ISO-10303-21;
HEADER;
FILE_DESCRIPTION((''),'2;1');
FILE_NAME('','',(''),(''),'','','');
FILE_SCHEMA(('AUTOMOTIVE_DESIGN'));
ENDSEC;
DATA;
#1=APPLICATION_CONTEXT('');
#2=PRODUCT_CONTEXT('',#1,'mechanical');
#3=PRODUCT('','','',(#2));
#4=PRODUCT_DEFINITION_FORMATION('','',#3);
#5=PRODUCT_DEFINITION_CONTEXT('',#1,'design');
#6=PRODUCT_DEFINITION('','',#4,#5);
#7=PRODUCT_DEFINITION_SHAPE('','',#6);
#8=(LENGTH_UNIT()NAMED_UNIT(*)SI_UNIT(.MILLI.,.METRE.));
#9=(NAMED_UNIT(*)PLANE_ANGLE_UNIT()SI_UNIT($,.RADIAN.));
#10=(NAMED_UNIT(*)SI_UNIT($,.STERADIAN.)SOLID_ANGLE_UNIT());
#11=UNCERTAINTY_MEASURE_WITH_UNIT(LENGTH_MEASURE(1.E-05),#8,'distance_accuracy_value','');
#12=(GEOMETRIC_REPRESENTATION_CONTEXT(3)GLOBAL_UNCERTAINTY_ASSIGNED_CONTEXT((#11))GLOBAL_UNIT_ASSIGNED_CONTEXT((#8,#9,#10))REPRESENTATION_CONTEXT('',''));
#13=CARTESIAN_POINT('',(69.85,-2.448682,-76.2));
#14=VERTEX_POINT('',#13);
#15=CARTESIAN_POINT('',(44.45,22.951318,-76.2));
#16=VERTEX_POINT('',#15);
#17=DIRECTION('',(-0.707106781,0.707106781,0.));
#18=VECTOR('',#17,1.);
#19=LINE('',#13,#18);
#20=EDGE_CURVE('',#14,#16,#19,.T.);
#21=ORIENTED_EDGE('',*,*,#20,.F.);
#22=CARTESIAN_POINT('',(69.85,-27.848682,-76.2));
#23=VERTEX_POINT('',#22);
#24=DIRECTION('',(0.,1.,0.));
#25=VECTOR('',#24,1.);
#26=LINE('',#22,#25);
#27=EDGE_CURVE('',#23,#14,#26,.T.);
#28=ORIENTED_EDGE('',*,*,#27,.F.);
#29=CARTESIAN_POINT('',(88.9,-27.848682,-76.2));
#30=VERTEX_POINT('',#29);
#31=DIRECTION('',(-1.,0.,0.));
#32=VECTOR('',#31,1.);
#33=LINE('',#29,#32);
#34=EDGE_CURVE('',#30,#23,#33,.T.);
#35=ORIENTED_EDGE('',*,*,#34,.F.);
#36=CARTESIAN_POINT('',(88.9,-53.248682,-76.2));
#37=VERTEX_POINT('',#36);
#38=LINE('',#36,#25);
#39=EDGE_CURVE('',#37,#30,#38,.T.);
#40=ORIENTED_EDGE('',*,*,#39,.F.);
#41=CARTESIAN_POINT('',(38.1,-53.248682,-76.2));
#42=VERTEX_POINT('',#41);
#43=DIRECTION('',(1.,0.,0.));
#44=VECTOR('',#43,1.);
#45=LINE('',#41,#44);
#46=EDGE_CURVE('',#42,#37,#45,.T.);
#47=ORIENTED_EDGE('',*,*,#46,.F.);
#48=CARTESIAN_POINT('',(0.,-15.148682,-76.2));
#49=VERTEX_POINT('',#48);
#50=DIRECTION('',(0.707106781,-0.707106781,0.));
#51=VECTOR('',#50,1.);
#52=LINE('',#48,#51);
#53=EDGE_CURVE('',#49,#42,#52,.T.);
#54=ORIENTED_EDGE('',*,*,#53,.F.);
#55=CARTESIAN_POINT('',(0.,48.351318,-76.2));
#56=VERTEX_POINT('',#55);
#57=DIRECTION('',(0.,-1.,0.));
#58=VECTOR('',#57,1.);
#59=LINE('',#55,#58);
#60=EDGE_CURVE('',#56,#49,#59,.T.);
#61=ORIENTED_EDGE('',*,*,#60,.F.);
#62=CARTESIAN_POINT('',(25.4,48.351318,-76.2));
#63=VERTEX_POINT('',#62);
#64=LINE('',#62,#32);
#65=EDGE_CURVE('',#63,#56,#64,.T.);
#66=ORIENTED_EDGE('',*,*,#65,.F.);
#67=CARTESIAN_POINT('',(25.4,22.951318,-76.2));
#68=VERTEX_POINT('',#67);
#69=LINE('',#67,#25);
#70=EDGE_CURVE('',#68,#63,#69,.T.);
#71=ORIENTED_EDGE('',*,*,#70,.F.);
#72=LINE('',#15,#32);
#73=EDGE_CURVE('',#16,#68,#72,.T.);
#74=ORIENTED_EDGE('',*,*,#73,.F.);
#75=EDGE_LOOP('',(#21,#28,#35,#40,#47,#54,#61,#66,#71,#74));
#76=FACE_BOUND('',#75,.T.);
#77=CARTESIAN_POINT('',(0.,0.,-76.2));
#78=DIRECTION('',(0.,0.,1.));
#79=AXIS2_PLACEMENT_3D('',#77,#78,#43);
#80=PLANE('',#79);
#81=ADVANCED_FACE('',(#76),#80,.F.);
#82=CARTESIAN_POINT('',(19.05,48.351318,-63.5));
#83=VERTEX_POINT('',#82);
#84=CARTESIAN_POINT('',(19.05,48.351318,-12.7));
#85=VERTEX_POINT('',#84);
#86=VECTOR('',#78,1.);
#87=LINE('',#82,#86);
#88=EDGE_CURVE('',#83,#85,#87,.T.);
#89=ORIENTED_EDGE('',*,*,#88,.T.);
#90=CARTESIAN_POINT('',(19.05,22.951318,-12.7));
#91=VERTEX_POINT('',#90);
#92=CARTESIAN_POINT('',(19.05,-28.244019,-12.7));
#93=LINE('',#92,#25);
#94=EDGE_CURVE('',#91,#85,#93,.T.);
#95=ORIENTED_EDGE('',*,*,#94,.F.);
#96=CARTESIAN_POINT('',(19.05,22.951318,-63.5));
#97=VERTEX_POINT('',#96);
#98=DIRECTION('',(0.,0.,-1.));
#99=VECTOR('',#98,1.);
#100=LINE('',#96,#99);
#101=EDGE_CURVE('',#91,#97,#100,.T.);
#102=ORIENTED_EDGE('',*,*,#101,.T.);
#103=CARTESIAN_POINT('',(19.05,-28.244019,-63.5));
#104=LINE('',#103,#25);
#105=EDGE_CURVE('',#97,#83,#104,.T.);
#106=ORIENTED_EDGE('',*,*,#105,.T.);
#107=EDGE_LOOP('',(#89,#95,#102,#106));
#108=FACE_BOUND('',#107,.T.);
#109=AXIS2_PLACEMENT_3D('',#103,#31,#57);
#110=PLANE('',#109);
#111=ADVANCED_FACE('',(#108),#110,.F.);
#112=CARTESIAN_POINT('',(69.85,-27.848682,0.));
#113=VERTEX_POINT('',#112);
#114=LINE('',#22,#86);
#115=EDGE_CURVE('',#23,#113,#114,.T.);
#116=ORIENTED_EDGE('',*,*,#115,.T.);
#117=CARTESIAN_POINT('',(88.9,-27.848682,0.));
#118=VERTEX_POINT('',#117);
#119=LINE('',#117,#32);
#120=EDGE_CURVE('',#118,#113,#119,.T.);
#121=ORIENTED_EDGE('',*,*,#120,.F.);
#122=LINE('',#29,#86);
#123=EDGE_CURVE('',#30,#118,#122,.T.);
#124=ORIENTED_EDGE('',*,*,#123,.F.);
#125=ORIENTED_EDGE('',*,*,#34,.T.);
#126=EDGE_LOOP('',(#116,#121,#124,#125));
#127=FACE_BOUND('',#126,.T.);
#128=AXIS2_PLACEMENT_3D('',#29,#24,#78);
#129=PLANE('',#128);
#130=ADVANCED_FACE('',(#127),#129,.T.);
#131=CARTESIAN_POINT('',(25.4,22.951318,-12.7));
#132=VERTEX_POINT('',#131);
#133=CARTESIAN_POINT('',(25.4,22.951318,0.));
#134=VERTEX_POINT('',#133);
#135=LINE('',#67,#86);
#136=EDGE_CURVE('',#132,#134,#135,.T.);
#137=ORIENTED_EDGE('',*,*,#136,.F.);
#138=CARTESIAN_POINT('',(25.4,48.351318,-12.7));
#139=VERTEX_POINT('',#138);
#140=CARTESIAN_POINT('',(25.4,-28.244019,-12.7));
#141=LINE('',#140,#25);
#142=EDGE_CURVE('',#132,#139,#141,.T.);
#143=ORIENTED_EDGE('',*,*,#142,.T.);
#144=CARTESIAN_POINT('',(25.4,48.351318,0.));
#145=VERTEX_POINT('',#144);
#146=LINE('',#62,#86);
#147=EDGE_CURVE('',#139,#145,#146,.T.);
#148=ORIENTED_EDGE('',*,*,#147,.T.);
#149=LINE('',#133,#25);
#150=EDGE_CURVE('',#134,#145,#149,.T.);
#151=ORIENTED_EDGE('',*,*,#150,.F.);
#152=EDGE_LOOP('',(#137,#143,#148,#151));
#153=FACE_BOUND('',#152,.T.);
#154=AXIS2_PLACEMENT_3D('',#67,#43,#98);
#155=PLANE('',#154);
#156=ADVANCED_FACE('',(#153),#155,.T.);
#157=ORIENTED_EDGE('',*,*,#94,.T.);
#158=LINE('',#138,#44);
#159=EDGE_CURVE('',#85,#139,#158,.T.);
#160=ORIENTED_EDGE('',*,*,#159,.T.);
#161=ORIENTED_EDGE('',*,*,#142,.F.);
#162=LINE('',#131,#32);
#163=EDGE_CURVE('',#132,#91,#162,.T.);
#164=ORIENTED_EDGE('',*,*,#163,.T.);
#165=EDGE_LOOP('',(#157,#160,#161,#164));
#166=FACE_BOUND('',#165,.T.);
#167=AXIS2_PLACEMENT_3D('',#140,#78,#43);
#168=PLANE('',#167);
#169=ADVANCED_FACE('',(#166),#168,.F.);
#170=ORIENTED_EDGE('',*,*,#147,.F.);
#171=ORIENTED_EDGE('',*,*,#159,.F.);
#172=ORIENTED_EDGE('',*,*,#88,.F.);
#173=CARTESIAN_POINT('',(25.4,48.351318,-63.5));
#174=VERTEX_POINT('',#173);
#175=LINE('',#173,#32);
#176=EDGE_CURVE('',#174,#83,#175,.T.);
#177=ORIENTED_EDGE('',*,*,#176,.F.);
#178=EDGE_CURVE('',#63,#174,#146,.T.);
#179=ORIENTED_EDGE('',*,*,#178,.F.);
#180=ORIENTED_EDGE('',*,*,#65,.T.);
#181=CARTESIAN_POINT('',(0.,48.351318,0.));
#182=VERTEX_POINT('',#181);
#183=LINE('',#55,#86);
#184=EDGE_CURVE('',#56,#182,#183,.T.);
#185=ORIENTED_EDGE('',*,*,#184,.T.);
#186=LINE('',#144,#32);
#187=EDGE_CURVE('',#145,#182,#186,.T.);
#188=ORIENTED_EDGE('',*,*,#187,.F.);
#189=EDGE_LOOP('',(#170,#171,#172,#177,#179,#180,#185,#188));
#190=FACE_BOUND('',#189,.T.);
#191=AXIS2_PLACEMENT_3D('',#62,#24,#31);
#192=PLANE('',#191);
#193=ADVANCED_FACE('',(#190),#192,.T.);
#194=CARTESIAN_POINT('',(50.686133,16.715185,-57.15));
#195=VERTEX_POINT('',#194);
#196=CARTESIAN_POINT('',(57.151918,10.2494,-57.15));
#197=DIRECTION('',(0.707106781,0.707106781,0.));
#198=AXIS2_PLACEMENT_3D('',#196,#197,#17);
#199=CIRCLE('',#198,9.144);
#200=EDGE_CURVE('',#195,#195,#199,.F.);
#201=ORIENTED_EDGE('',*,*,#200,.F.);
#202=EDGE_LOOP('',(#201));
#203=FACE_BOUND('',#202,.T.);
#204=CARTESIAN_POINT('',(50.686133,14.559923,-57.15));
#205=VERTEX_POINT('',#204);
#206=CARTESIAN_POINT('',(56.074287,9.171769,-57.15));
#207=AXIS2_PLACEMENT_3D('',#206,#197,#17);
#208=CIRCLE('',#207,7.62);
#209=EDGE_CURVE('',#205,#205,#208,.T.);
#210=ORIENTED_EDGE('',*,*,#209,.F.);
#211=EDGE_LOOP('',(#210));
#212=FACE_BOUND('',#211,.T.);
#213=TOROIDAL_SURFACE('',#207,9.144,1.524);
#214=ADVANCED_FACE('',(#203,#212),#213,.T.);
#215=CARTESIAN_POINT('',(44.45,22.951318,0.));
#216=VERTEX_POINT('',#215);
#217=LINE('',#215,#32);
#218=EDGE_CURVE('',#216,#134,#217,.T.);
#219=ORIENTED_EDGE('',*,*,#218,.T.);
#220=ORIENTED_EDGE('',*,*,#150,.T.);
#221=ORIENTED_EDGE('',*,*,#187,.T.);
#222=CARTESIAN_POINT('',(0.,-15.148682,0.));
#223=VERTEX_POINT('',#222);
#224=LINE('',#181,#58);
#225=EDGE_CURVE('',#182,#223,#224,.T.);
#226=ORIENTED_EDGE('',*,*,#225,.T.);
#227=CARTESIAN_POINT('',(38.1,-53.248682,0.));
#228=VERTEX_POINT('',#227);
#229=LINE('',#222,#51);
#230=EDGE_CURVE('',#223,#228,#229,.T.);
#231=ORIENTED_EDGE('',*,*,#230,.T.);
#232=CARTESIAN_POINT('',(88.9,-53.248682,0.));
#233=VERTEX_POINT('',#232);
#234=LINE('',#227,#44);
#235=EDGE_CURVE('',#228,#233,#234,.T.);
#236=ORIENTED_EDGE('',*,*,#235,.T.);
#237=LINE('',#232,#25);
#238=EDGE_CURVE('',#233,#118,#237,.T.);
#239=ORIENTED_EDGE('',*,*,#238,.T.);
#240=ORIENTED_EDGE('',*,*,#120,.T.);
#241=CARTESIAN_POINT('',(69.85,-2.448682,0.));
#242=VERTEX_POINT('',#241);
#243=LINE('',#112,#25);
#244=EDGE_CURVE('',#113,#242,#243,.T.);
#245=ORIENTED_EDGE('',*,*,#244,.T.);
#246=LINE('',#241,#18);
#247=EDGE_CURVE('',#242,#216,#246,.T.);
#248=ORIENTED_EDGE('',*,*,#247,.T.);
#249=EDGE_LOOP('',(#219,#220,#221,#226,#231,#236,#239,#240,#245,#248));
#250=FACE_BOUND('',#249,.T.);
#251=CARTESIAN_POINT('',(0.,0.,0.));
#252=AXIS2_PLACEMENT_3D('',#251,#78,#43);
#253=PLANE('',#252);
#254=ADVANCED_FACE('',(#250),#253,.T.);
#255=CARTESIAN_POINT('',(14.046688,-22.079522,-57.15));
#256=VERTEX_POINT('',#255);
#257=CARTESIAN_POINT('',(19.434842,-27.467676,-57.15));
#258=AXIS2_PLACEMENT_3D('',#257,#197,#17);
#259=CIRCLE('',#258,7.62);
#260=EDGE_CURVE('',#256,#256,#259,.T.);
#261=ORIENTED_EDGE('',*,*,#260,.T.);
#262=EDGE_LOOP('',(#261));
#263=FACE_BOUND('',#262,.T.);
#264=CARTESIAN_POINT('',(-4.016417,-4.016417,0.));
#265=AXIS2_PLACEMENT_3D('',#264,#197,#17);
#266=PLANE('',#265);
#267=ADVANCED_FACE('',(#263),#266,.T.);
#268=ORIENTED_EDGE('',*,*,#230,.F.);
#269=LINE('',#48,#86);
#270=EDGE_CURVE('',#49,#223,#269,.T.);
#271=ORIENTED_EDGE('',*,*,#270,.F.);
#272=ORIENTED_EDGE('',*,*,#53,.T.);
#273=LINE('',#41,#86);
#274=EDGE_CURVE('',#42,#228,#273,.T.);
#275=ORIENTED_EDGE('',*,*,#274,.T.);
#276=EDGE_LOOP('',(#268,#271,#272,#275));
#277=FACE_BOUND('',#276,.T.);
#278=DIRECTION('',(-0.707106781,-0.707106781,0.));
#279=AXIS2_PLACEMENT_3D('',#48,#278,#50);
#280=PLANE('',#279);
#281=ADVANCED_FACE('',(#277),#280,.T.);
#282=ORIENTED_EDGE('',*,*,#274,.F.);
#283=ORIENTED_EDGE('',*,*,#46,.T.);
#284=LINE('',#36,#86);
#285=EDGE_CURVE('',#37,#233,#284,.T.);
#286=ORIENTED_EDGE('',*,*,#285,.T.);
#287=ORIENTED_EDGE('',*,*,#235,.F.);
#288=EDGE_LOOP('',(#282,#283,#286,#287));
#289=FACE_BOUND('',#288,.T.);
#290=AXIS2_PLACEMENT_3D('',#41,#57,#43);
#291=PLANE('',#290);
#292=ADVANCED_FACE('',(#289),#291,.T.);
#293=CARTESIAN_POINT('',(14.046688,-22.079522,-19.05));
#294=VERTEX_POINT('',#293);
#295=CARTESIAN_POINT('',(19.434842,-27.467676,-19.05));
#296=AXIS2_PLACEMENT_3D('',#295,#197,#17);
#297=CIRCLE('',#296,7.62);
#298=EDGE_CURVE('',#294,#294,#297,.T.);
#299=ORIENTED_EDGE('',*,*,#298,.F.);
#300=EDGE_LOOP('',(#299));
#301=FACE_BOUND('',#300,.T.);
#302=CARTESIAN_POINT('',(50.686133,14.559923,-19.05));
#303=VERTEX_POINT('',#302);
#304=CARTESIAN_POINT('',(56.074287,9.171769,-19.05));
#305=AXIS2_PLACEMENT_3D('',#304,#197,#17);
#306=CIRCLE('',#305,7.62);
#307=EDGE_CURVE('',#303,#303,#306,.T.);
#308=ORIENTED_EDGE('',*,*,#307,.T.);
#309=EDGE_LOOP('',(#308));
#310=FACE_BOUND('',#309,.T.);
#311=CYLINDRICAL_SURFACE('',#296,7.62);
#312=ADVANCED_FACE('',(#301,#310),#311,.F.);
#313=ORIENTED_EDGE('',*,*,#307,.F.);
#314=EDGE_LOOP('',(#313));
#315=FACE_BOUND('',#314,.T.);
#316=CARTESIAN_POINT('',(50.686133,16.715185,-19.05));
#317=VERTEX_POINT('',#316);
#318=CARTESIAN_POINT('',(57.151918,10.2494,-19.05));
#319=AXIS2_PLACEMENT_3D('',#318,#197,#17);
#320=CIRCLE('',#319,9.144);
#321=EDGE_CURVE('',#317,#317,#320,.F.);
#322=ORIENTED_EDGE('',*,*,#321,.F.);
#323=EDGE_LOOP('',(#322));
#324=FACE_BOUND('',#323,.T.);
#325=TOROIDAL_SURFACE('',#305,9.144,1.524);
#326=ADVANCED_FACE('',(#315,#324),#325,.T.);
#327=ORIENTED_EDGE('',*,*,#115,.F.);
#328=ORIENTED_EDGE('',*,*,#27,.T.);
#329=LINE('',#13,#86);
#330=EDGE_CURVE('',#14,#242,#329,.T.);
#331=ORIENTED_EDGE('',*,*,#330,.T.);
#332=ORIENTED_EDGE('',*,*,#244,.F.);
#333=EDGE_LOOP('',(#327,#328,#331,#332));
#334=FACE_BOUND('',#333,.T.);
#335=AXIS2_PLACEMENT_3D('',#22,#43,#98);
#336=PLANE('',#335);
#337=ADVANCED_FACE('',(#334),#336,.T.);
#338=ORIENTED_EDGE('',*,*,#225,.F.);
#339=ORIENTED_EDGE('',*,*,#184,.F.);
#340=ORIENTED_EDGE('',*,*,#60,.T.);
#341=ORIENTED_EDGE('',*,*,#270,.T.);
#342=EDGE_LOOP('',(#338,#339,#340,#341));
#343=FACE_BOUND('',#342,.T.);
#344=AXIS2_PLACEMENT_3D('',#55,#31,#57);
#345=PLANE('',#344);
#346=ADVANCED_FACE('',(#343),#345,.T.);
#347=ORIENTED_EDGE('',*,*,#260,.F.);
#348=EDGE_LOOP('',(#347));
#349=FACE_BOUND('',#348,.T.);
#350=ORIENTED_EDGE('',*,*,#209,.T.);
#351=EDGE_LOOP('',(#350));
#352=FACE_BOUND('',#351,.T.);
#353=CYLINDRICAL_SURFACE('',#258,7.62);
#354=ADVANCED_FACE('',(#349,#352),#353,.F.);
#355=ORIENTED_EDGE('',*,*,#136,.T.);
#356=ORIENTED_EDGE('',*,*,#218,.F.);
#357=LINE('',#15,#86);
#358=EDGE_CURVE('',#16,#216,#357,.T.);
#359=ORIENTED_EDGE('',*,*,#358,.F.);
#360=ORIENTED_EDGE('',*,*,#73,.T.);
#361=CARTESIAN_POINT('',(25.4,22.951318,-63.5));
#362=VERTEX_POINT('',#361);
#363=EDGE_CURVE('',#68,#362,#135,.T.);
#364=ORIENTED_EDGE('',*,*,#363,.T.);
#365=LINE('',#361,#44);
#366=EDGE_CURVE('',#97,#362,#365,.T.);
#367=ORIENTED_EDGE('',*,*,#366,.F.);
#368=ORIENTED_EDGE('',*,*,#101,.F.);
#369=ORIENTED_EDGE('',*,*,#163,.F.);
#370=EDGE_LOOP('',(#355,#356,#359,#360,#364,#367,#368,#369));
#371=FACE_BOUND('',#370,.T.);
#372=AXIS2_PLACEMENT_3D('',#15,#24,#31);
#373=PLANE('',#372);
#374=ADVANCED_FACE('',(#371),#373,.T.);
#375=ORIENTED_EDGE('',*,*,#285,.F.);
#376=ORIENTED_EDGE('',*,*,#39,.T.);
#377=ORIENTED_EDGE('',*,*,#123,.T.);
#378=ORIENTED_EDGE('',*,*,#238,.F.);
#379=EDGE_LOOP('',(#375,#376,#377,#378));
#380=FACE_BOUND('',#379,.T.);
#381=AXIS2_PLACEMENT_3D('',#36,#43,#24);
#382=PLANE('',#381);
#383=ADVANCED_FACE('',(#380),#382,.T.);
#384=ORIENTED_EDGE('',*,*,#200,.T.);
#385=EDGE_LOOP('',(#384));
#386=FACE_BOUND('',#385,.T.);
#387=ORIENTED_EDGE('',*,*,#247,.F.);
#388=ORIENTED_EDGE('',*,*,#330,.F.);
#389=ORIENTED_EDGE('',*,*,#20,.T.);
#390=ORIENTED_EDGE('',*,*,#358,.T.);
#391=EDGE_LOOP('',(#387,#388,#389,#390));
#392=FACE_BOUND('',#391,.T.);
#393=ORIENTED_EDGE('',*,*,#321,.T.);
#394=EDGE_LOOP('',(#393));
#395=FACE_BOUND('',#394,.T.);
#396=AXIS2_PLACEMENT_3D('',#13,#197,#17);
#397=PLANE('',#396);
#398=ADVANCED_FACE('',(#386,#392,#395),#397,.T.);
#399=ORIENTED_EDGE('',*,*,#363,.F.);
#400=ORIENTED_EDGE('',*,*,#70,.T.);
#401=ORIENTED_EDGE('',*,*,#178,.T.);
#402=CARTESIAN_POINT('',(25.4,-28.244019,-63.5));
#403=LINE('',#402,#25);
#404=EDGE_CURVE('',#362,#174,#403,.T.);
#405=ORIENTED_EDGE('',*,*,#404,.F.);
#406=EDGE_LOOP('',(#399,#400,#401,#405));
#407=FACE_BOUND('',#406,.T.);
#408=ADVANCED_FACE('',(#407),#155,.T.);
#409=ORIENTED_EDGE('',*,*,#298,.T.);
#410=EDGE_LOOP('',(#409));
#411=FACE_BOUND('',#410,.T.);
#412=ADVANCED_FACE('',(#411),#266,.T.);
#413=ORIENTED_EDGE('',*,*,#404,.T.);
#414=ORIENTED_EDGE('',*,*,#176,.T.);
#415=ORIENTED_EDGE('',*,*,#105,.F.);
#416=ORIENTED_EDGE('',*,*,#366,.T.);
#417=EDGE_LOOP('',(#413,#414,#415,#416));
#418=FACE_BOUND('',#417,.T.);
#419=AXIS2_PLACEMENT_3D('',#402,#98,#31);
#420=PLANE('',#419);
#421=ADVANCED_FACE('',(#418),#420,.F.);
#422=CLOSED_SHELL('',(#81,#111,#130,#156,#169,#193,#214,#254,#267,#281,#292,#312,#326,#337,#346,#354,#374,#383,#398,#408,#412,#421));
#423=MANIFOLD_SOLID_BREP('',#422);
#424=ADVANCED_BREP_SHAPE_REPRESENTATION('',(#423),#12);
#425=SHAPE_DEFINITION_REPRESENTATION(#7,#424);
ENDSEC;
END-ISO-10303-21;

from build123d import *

# Parameters (mm, degrees)
BOSS_EXTRUDE2_DEPTH = 76.2
SKETCH3_W           = 6.35
SKETCH3_H           = 50.8
CUT_EXTRUDE1_DEPTH  = 25.4
SKETCH4_R           = 7.62
CUT_EXTRUDE2_DEPTH  = 53.34
FILLET2_R           = 1.524


with BuildPart() as part:
    # Sketch2 → Boss-Extrude2 (new body)
    with BuildSketch(Plane.XY):
        Polygon((0, 48.351318045), (0, -15.148681955), (38.1, -53.248681955), (88.9, -53.248681955), (88.9, -27.848681955), (69.85, -27.848681955), (69.85, -2.448681955), (44.45, 22.951318045), (25.4, 22.951318045), (25.4, 48.351318045), align=None)
    extrude(amount=-BOSS_EXTRUDE2_DEPTH)

    # Sketch3 → Cut-Extrude1 (cut)
    with BuildSketch(Plane(origin=(0, 48.351318045, 0), x_dir=(1, 0, 0), z_dir=(0, 1, 0))):
        with Locations((22.225, 38.1)):
            Rectangle(SKETCH3_W, SKETCH3_H)
    extrude(amount=-CUT_EXTRUDE1_DEPTH, mode=Mode.SUBTRACT)

    # Sketch4 → Cut-Extrude2 (cut)
    with BuildSketch(Plane(origin=(33.700659023, 33.700659023, 0), x_dir=(0, 0, -1), z_dir=(0.7071067811865488, 0.7071067811865462, 0))):
        with Locations(Location((19.05, -33.165088281, 0), (0, 0, 90))):
            Circle(SKETCH4_R)
        with Locations(Location((57.15, -33.165088281, 0), (0, 0, 90))):
            Circle(SKETCH4_R)
    extrude(amount=-CUT_EXTRUDE2_DEPTH, mode=Mode.SUBTRACT)

    # Fillet2
    fillet2_edges = [part.edges().sort_by_distance(p)[0] for p in [
        (62.540071517, 4.861246528, -19.05),
        (62.540071517, 4.861246528, -57.15),
    ]]
    fillet(fillet2_edges, radius=FILLET2_R)


solid = part.part
